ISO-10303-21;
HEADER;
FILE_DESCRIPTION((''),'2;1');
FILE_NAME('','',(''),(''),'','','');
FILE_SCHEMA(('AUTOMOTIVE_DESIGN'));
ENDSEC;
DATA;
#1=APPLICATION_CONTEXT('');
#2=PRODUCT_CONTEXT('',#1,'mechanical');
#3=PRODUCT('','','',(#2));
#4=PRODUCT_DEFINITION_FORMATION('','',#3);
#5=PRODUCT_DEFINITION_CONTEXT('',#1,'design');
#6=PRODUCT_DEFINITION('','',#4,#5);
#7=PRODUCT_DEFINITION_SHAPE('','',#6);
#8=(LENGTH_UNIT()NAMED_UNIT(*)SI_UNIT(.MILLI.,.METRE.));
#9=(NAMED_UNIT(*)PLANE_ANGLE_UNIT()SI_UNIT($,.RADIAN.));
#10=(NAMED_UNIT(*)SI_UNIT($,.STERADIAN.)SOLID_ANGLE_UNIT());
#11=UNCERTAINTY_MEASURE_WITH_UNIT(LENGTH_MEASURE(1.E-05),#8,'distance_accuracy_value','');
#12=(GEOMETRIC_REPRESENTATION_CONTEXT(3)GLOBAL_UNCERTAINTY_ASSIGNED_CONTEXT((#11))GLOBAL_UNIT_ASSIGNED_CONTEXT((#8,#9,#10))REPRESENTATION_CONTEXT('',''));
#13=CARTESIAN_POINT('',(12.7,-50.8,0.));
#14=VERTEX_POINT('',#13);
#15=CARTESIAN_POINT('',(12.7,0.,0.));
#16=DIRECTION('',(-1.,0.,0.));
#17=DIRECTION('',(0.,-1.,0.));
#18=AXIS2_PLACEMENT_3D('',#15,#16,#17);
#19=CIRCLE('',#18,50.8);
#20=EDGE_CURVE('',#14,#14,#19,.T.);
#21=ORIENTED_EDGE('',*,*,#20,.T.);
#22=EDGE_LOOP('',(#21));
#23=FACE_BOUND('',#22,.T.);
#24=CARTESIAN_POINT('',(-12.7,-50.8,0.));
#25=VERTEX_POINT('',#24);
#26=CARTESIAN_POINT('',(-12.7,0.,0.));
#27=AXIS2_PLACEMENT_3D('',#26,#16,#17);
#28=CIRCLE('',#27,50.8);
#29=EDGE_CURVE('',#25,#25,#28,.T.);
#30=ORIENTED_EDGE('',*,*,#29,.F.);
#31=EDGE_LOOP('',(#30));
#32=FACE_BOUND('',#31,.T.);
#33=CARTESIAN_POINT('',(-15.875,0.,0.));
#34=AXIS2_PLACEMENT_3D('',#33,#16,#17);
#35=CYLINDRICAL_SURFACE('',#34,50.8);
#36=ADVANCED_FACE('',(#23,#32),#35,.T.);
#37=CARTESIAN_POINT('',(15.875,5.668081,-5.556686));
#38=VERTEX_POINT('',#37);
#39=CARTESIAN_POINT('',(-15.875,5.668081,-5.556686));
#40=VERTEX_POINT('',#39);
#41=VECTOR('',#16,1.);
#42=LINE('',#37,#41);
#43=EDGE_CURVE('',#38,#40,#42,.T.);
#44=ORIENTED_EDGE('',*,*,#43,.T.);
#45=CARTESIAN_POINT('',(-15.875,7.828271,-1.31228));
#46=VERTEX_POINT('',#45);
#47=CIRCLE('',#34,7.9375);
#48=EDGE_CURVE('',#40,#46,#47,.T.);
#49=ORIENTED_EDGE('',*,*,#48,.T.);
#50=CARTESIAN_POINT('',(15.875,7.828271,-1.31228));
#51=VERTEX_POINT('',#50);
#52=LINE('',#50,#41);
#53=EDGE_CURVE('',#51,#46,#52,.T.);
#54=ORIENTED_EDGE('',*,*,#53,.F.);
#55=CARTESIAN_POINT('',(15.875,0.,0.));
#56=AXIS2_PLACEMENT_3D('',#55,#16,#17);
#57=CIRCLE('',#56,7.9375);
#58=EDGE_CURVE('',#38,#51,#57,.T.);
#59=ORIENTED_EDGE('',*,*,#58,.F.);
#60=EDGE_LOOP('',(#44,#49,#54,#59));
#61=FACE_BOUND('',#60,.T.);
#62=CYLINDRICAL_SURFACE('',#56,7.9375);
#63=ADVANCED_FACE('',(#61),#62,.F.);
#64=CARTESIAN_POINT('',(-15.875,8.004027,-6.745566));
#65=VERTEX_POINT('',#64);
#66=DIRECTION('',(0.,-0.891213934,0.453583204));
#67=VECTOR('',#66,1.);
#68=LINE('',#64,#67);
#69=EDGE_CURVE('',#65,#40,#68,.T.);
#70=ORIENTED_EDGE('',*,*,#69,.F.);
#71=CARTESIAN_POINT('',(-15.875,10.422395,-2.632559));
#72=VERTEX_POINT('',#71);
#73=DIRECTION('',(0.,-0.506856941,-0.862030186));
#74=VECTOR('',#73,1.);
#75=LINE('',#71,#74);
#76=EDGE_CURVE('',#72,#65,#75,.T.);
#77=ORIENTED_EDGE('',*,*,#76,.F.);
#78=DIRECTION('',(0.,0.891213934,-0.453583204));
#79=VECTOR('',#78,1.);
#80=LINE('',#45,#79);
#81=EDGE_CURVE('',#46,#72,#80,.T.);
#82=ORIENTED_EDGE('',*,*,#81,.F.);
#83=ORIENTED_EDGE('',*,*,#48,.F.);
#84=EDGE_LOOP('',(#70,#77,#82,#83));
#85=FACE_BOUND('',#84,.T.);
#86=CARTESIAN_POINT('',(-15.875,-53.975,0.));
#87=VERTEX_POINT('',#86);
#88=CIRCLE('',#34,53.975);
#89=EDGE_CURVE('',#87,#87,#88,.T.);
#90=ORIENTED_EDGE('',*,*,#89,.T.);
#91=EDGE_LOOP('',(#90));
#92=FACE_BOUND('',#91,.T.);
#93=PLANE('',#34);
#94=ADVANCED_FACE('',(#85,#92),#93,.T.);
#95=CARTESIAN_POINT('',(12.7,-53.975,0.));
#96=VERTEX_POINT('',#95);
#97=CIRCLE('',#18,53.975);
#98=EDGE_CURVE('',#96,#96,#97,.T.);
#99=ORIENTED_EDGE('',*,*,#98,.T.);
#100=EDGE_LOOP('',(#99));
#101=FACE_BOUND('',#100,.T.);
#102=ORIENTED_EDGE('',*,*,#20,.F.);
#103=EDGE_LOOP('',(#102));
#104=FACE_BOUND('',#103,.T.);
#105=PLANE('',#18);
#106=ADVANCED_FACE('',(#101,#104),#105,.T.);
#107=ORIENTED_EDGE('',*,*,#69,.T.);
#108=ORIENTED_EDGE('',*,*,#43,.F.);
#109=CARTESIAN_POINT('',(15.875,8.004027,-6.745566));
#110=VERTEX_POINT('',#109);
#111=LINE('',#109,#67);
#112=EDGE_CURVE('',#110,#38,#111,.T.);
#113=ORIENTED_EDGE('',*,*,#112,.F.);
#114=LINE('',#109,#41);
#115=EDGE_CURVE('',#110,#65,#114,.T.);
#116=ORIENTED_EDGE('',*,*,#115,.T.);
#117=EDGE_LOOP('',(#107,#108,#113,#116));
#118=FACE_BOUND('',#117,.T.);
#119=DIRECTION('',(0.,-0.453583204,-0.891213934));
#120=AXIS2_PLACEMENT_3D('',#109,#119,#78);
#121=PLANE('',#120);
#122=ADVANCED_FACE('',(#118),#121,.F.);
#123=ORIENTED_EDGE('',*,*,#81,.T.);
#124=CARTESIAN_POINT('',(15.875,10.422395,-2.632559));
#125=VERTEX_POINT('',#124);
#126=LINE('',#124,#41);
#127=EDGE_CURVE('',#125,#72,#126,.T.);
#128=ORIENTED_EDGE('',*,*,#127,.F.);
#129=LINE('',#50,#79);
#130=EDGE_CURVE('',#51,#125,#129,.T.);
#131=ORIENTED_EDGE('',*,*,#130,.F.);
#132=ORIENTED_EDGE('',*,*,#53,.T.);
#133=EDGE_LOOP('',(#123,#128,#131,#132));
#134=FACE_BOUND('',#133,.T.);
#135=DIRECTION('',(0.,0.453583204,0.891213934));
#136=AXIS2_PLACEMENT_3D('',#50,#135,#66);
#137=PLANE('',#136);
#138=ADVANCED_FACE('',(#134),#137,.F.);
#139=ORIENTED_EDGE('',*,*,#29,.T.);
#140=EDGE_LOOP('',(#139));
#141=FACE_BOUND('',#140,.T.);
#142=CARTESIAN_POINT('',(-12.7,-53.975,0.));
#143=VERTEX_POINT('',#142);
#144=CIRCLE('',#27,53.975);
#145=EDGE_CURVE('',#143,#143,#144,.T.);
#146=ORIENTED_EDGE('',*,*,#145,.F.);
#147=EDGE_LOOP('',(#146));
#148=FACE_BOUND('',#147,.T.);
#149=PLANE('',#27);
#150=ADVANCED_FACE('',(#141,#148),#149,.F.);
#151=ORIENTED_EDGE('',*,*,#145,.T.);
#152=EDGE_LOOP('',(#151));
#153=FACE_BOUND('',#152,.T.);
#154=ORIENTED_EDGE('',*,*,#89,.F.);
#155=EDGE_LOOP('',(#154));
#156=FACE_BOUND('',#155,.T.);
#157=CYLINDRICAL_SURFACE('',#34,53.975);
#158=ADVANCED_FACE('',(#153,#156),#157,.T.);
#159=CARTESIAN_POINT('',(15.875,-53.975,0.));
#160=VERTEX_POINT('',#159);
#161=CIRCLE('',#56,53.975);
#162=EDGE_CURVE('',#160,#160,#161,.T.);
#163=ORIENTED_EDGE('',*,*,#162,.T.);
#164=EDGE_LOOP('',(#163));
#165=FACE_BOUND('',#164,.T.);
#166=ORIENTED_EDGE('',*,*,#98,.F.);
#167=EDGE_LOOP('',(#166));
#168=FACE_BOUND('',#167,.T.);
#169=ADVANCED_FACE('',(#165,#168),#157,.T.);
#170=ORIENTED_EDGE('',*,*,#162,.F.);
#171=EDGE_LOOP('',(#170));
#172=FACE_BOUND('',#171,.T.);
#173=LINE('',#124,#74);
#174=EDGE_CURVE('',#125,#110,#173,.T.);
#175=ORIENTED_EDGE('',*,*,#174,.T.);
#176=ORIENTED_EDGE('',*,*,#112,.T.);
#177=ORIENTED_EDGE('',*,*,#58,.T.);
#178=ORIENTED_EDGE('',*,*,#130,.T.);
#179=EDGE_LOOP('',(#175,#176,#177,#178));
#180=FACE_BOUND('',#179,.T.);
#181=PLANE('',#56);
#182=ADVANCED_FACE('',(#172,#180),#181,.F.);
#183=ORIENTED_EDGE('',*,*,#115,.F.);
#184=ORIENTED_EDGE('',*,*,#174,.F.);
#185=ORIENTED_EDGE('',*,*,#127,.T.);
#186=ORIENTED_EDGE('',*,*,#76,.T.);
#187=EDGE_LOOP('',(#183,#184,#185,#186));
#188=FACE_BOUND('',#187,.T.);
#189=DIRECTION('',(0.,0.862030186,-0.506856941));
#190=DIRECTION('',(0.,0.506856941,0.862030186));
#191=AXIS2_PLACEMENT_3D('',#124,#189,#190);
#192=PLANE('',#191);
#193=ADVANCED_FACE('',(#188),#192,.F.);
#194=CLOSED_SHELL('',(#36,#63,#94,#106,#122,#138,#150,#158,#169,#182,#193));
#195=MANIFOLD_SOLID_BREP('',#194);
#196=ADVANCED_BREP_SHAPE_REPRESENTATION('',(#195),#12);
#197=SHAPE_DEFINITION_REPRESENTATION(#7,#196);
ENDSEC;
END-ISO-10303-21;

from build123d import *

# Parameters (mm, degrees)
SKETCH1_W          = 31.75
SKETCH1_H          = 50.8
SKETCH1_W_2        = 3.175
SKETCH1_H_2        = 3.175
CUT_EXTRUDE1_DEPTH = 83.672025196


with BuildPart() as part:
    # Sketch1 → Revolve1 (revolve)
    with BuildSketch(Plane.XY, mode=Mode.PRIVATE) as revolve1_sk:
        with Locations((0, 25.4)):
            Rectangle(SKETCH1_W, SKETCH1_H)
        with Locations((-14.2875, 52.3875)):
            Rectangle(SKETCH1_W_2, SKETCH1_H_2)
        with Locations((14.2875, 52.3875)):
            Rectangle(SKETCH1_W_2, SKETCH1_H_2)
    revolve(revolve1_sk.sketch.rotate(Axis((-15.875, 0, 0), (1, 0, 0)), 180), axis=Axis((-15.875, 0, 0), (1, 0, 0)))

    # Sketch2 → Cut-Extrude1 (cut, through all)
    with BuildSketch(Plane.ZY.offset(15.875)):
        with BuildLine():
            Line((-6.745565901, 8.004027254), (-5.556686402, 5.668081023))
            ThreePointArc((-5.556686402, 5.668081023), (3.600316682, -7.074010605), (-1.312280039, 7.828271032))
            Line((-1.312280039, 7.828271032), (-2.632559092, 10.422395062))
            Line((-2.632559092, 10.422395062), (-6.745565901, 8.004027254))
        make_face()
    extrude(amount=-CUT_EXTRUDE1_DEPTH, mode=Mode.SUBTRACT)


solid = part.part
